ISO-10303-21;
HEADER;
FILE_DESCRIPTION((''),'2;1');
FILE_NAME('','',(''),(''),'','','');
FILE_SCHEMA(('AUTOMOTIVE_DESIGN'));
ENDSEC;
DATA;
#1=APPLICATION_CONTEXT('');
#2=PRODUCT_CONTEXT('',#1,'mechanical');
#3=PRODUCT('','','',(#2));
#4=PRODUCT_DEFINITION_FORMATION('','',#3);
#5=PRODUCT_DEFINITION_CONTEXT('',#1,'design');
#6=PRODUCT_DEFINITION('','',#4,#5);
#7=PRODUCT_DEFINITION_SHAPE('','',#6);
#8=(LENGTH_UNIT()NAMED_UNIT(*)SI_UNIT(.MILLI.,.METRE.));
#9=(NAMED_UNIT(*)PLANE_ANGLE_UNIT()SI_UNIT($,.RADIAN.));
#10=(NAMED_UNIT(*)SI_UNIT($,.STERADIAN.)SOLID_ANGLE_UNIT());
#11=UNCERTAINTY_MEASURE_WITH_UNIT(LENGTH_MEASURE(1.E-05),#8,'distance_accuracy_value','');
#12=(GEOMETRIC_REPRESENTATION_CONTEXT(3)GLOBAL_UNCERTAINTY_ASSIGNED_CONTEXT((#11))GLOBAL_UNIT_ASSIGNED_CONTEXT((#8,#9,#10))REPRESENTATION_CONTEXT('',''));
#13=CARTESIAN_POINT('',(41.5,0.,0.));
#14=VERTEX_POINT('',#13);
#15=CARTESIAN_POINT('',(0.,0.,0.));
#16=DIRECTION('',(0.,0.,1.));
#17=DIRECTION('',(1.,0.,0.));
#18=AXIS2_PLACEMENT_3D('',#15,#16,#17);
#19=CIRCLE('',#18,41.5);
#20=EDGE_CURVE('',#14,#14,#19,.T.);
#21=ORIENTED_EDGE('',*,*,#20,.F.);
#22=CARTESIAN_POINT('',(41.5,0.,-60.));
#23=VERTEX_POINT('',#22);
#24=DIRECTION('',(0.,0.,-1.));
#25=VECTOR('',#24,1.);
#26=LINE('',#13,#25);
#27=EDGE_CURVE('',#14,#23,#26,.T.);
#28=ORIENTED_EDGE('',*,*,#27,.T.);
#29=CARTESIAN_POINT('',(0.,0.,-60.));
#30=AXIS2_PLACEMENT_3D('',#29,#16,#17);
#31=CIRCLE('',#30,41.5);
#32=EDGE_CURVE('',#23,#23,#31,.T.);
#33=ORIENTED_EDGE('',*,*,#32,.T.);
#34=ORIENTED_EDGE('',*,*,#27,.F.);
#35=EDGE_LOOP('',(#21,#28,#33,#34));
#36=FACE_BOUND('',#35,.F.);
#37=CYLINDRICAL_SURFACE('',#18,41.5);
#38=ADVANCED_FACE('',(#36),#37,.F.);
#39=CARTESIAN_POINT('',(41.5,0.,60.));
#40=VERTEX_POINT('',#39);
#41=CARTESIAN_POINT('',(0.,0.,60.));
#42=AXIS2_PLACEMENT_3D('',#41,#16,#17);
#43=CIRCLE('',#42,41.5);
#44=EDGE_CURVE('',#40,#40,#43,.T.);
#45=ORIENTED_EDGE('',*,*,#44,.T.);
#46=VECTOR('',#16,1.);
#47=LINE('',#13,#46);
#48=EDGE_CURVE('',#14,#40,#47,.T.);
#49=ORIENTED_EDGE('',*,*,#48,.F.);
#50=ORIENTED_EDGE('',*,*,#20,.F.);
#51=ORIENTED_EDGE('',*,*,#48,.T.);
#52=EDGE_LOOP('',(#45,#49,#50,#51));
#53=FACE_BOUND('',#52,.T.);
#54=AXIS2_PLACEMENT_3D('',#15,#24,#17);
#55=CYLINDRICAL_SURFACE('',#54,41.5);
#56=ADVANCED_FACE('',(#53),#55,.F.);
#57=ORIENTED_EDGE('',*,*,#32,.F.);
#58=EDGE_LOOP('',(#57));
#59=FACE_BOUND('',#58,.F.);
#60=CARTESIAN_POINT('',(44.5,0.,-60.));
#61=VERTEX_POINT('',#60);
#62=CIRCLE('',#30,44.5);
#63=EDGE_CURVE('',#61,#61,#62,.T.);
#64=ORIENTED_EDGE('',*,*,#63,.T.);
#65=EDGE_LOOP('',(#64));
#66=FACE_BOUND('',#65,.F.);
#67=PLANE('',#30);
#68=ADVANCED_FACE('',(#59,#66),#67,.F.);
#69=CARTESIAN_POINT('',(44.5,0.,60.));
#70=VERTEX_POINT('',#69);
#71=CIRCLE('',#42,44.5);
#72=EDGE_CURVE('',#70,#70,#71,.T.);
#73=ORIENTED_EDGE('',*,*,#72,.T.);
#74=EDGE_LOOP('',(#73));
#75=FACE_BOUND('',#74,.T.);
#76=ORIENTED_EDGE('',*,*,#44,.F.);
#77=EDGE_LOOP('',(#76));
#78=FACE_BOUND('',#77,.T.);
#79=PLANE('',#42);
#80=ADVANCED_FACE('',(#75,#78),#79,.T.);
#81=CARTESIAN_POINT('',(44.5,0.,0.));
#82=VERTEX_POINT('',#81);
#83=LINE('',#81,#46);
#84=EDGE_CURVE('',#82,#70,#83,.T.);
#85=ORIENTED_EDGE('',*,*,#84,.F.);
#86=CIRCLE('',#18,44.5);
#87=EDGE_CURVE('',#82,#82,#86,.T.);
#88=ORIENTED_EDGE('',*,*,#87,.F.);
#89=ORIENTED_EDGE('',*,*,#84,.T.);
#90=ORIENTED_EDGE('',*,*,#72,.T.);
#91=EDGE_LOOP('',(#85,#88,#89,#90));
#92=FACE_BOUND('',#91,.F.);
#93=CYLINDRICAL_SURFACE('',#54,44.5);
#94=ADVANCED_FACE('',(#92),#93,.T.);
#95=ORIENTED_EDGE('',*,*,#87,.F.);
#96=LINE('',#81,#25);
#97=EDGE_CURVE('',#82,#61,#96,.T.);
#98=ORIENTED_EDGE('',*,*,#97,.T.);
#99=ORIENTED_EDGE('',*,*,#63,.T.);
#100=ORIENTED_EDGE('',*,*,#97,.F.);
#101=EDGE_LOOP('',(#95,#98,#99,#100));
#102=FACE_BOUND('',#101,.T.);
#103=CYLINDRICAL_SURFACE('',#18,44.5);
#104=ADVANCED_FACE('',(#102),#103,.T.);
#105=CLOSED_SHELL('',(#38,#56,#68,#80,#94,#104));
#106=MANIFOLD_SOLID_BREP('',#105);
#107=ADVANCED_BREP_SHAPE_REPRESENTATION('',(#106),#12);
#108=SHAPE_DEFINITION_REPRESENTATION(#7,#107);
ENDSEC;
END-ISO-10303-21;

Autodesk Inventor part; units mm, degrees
ref_plane "YZ Plane" through (0, 0, 0) normal (1, 0, 0) x (0, 1, 0)
ref_plane "XZ Plane" through (0, 0, 0) normal (0, 1, 0) x (-1, 0, 0)
ref_plane "XY Plane" through (0, 0, 0) normal (0, 0, 1) x (1, 0, 0)
sketch "Sketch1" plane through (0, 0, 0) normal (0, 0, 1) x (1, 0, 0)
  circle A0 centre (0, 0) radius 44.5
  circle A1 centre (0, 0) radius 41.5
  dimension "d0" = 89
  dimension "d1" = 3
extrude "Extrusion1" add sketch "Sketch1" along normal mid plane 120
properties part number "MSC 066 rocket tube 6"
